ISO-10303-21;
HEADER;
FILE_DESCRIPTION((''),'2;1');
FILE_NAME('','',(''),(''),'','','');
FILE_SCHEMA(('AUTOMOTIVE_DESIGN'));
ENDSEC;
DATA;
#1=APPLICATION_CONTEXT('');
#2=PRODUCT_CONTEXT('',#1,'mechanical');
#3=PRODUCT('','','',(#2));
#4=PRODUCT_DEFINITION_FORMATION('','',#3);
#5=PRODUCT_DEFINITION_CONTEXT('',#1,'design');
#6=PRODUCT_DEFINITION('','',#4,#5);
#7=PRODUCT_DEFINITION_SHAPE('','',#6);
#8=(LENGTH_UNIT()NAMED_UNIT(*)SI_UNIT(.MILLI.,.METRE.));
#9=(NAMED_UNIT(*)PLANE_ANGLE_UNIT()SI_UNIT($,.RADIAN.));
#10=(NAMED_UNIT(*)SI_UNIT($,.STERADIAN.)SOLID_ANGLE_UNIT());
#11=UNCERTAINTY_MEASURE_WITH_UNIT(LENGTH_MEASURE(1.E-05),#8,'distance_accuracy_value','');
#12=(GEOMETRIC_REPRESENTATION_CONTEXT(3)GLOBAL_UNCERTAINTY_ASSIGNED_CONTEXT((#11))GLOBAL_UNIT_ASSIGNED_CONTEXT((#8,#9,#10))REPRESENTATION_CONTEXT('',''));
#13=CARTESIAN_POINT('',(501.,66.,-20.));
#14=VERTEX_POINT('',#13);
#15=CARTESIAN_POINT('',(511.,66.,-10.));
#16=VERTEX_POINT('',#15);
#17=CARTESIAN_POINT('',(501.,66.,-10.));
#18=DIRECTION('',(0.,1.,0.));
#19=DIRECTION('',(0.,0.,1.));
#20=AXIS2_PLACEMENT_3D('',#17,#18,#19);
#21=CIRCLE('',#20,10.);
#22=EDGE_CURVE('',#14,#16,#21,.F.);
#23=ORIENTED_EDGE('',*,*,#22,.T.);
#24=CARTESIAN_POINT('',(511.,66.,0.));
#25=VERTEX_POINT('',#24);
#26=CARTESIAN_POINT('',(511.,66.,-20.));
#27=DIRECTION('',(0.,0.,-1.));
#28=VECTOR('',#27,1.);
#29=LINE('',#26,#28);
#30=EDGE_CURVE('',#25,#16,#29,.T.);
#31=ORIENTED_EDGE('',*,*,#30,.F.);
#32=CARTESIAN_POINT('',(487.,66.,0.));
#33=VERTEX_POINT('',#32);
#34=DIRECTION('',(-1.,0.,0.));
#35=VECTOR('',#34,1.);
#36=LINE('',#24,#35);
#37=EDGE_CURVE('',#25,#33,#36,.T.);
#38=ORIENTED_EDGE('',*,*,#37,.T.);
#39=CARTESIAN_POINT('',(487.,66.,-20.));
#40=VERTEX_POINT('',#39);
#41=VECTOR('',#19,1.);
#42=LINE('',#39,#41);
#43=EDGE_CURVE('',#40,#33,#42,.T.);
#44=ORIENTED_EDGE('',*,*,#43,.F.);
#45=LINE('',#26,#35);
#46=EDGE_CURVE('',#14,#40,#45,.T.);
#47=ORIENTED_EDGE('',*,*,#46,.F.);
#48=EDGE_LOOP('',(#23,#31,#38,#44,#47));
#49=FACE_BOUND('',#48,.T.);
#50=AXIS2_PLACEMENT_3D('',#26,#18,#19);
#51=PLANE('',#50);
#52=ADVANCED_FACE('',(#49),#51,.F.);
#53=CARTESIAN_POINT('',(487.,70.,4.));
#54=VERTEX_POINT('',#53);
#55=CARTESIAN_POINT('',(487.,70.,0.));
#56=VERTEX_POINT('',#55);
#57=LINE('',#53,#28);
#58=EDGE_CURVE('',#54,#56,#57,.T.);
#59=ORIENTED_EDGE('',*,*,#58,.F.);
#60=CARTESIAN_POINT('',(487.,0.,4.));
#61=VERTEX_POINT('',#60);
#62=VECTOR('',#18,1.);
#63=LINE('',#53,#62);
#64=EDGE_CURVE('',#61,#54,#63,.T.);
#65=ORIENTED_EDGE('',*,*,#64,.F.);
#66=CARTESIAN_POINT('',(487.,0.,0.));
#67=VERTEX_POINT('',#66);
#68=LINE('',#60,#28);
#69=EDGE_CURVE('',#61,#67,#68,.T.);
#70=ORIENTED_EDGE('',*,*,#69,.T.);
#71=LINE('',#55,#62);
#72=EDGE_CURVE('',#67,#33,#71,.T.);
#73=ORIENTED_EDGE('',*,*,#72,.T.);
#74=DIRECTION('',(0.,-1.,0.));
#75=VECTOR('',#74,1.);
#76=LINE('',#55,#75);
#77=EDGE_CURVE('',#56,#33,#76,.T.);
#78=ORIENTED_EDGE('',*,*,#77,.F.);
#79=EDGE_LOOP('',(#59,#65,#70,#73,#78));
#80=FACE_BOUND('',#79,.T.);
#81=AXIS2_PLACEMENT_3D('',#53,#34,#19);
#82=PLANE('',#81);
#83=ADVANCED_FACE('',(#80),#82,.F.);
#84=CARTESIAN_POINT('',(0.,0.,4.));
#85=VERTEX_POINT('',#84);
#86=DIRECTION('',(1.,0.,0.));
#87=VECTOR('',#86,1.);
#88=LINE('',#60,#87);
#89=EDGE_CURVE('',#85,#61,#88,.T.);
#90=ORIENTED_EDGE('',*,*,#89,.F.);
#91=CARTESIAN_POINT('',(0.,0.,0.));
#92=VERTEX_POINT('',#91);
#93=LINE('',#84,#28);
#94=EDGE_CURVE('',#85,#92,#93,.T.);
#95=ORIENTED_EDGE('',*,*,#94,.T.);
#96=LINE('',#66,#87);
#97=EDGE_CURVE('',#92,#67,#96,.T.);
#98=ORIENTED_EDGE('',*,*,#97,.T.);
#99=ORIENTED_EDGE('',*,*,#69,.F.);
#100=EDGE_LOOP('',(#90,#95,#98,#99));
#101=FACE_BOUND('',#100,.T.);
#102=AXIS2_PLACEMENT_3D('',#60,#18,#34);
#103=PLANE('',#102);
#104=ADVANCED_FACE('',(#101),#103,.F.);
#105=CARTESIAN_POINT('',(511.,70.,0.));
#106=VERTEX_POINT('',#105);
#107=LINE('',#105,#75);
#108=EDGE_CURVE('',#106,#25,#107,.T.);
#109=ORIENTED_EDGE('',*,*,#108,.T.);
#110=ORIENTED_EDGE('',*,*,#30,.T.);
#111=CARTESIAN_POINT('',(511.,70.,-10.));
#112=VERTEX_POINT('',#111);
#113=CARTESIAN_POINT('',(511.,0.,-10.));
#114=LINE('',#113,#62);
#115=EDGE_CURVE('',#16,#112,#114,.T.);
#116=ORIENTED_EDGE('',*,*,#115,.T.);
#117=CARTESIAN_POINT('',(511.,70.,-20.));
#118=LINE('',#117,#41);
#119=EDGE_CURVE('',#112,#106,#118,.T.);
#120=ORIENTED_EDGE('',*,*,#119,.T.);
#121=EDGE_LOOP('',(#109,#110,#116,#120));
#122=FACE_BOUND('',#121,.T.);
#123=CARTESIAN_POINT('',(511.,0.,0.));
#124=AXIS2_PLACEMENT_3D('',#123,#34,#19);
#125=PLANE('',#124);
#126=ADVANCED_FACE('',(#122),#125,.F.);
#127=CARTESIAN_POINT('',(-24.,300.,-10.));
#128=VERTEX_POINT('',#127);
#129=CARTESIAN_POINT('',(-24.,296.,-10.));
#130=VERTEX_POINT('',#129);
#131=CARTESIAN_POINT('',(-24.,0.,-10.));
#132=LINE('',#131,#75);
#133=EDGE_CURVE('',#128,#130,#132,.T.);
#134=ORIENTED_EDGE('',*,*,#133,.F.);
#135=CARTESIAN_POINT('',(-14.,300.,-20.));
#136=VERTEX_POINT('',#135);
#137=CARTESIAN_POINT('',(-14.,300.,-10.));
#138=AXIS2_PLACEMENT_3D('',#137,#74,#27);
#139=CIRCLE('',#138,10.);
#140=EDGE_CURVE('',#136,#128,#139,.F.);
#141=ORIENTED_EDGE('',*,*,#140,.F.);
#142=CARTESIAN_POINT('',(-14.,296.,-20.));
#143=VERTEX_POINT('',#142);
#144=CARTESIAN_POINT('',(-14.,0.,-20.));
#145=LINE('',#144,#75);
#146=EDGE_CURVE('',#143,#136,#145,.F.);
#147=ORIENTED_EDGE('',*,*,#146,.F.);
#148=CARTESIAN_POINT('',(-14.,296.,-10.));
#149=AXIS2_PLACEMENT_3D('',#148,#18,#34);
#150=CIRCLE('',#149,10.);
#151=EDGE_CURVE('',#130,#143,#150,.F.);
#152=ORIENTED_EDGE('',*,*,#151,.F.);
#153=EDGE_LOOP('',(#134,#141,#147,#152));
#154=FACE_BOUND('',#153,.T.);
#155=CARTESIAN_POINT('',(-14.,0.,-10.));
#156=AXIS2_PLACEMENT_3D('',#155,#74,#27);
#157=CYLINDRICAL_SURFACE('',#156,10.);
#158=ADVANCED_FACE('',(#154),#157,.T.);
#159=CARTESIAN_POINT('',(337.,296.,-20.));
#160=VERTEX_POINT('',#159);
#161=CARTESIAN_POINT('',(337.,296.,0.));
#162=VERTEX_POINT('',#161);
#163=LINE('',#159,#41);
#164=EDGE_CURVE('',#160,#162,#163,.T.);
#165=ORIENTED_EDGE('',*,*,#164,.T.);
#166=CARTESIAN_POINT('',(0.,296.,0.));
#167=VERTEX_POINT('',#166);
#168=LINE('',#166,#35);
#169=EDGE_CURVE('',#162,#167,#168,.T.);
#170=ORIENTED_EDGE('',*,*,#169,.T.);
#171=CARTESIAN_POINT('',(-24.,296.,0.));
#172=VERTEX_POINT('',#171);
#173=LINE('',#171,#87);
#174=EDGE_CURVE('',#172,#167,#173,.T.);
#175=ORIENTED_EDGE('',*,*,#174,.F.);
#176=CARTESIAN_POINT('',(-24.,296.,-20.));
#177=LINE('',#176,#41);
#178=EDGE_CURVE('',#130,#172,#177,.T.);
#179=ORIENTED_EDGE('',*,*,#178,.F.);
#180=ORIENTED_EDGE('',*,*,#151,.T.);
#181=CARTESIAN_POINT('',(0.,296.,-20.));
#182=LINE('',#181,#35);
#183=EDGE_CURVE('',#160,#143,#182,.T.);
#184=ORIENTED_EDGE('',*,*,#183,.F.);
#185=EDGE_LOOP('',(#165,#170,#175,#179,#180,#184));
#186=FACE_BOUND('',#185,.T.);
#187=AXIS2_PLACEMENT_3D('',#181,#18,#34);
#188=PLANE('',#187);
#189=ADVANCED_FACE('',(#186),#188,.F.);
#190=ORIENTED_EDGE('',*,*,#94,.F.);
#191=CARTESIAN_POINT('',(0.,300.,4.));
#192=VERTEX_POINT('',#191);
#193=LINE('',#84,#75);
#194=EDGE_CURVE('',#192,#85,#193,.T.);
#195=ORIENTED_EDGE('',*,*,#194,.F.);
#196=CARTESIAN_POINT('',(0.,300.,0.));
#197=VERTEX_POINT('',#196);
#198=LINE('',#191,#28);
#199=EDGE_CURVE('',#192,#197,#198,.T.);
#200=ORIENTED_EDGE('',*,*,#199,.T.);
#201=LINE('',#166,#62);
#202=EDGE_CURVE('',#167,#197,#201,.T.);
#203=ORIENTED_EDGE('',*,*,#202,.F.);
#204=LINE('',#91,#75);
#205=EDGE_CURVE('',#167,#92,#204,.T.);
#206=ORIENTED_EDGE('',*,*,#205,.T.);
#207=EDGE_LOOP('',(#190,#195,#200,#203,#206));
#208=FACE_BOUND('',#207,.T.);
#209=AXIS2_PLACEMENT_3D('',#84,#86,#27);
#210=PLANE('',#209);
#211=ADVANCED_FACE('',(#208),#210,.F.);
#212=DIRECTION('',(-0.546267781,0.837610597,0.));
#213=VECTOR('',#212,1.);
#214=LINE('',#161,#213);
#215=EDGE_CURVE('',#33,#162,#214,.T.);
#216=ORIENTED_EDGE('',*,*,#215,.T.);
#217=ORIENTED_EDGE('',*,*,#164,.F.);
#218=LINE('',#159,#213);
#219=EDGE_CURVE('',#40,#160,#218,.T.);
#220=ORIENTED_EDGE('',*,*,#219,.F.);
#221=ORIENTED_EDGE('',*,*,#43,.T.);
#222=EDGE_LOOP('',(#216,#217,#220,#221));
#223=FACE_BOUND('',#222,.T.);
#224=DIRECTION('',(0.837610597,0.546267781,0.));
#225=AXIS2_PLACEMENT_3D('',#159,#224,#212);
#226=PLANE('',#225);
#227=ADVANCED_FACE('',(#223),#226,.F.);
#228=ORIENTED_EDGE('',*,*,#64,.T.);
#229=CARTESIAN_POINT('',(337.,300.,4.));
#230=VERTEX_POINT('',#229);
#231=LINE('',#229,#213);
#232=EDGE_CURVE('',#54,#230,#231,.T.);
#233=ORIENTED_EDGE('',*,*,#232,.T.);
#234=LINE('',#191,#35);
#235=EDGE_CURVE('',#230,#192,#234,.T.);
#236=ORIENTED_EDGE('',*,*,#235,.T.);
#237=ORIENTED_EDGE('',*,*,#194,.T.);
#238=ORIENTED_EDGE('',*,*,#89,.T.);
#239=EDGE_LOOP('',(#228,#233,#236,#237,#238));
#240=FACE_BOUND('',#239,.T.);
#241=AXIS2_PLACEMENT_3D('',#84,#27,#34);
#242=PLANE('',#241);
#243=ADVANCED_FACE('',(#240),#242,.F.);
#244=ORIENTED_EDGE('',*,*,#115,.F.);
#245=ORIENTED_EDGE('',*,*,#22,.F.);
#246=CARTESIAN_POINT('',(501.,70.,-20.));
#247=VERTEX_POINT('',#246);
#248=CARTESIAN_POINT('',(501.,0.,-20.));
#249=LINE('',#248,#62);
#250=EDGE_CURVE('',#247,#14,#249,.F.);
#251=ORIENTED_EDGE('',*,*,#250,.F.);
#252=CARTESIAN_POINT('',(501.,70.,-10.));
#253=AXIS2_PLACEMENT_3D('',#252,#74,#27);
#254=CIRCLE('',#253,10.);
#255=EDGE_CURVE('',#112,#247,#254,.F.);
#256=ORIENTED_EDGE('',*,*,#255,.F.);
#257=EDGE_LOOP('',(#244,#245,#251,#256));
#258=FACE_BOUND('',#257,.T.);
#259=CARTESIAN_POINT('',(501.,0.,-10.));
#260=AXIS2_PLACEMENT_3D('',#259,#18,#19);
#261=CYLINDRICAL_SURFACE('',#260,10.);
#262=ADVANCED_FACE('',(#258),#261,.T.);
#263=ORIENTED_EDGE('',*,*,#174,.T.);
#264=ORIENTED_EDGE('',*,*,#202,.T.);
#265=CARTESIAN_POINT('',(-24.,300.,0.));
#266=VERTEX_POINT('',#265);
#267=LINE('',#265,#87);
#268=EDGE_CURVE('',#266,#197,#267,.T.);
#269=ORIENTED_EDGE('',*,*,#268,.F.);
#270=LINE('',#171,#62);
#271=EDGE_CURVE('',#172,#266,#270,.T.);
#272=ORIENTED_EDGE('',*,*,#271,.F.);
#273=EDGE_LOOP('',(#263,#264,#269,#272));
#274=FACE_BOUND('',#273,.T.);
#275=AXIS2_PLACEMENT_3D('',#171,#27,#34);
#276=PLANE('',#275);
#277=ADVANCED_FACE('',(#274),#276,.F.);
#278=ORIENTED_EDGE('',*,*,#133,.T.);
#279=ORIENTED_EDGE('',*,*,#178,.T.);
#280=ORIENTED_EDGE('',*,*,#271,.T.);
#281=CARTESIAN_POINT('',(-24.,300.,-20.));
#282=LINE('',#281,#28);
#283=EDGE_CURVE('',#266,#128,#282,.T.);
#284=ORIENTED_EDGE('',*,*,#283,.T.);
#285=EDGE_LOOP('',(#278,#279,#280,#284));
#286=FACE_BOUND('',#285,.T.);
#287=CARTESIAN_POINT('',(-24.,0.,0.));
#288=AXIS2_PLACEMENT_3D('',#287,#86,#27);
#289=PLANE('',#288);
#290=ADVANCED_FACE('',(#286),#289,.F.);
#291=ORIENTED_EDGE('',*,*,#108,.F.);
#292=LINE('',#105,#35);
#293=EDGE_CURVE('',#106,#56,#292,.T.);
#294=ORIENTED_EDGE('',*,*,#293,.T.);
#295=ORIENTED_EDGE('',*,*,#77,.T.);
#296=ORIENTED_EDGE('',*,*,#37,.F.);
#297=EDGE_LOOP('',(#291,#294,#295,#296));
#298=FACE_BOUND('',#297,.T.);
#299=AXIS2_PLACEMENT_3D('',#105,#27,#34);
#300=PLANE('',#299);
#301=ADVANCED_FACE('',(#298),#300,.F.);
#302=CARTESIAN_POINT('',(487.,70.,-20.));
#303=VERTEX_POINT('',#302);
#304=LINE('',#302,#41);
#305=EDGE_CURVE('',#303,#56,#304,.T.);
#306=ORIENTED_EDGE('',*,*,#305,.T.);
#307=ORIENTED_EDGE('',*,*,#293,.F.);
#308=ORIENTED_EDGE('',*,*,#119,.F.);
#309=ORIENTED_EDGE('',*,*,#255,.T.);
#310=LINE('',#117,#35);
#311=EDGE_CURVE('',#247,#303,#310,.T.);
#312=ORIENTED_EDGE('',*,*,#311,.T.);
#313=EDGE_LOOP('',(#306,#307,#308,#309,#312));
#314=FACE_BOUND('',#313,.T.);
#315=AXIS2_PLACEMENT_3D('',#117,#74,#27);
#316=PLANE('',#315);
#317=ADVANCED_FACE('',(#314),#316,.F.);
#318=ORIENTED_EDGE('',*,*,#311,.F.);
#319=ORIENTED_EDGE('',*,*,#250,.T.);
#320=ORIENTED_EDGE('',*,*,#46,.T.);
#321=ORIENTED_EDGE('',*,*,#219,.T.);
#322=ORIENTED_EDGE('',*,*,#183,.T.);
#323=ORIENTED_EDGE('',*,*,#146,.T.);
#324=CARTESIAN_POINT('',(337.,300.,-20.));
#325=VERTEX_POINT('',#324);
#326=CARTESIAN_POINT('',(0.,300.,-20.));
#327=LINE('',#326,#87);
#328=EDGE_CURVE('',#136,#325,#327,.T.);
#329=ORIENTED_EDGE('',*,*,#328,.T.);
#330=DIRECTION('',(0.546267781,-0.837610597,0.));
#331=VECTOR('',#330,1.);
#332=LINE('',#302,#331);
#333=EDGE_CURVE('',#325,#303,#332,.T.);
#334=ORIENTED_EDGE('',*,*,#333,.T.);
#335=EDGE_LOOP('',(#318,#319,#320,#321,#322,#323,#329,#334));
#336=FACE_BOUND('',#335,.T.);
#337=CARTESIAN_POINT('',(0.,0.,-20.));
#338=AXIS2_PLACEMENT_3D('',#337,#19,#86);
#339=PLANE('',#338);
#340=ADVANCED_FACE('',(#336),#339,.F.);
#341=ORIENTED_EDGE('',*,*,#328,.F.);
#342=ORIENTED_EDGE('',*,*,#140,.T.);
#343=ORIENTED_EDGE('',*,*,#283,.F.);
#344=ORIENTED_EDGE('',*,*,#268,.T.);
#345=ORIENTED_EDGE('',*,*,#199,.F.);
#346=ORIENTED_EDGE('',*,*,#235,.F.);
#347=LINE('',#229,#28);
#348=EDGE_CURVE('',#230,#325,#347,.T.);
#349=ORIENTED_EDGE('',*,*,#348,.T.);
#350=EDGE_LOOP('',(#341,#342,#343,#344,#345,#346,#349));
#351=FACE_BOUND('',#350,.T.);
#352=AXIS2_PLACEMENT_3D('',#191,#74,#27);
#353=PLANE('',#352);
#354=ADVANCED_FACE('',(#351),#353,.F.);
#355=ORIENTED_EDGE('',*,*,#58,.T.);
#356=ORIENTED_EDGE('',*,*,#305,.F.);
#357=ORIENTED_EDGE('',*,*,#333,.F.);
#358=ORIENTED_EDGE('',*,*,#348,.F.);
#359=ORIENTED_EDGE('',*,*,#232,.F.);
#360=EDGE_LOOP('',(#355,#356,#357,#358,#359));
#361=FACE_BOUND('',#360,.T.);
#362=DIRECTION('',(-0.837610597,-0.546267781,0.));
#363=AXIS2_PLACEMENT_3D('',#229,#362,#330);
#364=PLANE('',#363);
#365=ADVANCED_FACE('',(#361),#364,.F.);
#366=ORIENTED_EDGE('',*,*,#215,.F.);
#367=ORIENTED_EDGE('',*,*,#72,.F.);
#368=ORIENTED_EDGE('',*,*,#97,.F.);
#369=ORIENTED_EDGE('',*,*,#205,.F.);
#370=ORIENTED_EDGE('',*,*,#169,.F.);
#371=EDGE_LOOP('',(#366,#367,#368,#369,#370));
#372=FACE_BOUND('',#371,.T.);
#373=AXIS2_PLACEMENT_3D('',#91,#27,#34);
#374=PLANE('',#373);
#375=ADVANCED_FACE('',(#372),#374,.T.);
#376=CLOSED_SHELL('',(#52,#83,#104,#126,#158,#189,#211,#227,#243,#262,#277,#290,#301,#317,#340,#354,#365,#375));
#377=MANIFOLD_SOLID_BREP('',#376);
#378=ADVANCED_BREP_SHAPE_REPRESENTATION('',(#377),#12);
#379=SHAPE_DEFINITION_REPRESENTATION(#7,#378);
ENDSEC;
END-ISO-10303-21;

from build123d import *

# Parameters (mm, degrees)
BOSS_EXTRUDE1_DEPTH = 4
SKETCH2_W           = 337
SKETCH2_H           = 4
BOSS_EXTRUDE2_DEPTH = 20
BOSS_EXTRUDE3_DEPTH = 20
SKETCH7_W           = 20
SKETCH7_H           = 4
BOSS_EXTRUDE6_DEPTH = 24
SKETCH8_W           = 20
SKETCH8_H           = 4
BOSS_EXTRUDE7_DEPTH = 24
FILLET1_R           = 10


with BuildPart() as part:
    # Sketch1 → Boss-Extrude1 (new body)
    with BuildSketch(Plane.XY):
        Polygon((0, 0), (0, 300), (337, 300), (487, 70), (487, 0), align=None)
    extrude(amount=BOSS_EXTRUDE1_DEPTH)

    # Sketch2 → Boss-Extrude2 (add)
    with BuildSketch(Plane(origin=(0, 0, 0), x_dir=(-1, 0, 0), z_dir=(0, 0, -1))):
        with Locations((-168.5, 298)):
            Rectangle(SKETCH2_W, SKETCH2_H)
    extrude(amount=BOSS_EXTRUDE2_DEPTH)

    # Sketch3 → Boss-Extrude3 (add)
    with BuildSketch(Plane(origin=(0, 0, 0), x_dir=(-1, 0, 0), z_dir=(0, 0, -1))):
        Polygon((-337, 300), (-337, 296), (-487, 66), (-487, 70), align=None)
    extrude(amount=BOSS_EXTRUDE3_DEPTH)

    # Sketch7 → Boss-Extrude6 (add)
    with BuildSketch(Plane(origin=(487, 0, 0), x_dir=(0, 0, -1), z_dir=(1, 0, 0))):
        with Locations((10, 68)):
            Rectangle(SKETCH7_W, SKETCH7_H)
    extrude(amount=BOSS_EXTRUDE6_DEPTH)

    # Sketch8 → Boss-Extrude7 (add)
    with BuildSketch(Plane.ZY):
        with Locations((-10, 298)):
            Rectangle(SKETCH8_W, SKETCH8_H)
    extrude(amount=BOSS_EXTRUDE7_DEPTH)

    # Fillet1
    fillet1_edges = [part.edges().sort_by_distance(p)[0] for p in [
        (511, 68, -20),
        (-24, 298, -20),
    ]]
    fillet(fillet1_edges, radius=FILLET1_R)


solid = part.part
